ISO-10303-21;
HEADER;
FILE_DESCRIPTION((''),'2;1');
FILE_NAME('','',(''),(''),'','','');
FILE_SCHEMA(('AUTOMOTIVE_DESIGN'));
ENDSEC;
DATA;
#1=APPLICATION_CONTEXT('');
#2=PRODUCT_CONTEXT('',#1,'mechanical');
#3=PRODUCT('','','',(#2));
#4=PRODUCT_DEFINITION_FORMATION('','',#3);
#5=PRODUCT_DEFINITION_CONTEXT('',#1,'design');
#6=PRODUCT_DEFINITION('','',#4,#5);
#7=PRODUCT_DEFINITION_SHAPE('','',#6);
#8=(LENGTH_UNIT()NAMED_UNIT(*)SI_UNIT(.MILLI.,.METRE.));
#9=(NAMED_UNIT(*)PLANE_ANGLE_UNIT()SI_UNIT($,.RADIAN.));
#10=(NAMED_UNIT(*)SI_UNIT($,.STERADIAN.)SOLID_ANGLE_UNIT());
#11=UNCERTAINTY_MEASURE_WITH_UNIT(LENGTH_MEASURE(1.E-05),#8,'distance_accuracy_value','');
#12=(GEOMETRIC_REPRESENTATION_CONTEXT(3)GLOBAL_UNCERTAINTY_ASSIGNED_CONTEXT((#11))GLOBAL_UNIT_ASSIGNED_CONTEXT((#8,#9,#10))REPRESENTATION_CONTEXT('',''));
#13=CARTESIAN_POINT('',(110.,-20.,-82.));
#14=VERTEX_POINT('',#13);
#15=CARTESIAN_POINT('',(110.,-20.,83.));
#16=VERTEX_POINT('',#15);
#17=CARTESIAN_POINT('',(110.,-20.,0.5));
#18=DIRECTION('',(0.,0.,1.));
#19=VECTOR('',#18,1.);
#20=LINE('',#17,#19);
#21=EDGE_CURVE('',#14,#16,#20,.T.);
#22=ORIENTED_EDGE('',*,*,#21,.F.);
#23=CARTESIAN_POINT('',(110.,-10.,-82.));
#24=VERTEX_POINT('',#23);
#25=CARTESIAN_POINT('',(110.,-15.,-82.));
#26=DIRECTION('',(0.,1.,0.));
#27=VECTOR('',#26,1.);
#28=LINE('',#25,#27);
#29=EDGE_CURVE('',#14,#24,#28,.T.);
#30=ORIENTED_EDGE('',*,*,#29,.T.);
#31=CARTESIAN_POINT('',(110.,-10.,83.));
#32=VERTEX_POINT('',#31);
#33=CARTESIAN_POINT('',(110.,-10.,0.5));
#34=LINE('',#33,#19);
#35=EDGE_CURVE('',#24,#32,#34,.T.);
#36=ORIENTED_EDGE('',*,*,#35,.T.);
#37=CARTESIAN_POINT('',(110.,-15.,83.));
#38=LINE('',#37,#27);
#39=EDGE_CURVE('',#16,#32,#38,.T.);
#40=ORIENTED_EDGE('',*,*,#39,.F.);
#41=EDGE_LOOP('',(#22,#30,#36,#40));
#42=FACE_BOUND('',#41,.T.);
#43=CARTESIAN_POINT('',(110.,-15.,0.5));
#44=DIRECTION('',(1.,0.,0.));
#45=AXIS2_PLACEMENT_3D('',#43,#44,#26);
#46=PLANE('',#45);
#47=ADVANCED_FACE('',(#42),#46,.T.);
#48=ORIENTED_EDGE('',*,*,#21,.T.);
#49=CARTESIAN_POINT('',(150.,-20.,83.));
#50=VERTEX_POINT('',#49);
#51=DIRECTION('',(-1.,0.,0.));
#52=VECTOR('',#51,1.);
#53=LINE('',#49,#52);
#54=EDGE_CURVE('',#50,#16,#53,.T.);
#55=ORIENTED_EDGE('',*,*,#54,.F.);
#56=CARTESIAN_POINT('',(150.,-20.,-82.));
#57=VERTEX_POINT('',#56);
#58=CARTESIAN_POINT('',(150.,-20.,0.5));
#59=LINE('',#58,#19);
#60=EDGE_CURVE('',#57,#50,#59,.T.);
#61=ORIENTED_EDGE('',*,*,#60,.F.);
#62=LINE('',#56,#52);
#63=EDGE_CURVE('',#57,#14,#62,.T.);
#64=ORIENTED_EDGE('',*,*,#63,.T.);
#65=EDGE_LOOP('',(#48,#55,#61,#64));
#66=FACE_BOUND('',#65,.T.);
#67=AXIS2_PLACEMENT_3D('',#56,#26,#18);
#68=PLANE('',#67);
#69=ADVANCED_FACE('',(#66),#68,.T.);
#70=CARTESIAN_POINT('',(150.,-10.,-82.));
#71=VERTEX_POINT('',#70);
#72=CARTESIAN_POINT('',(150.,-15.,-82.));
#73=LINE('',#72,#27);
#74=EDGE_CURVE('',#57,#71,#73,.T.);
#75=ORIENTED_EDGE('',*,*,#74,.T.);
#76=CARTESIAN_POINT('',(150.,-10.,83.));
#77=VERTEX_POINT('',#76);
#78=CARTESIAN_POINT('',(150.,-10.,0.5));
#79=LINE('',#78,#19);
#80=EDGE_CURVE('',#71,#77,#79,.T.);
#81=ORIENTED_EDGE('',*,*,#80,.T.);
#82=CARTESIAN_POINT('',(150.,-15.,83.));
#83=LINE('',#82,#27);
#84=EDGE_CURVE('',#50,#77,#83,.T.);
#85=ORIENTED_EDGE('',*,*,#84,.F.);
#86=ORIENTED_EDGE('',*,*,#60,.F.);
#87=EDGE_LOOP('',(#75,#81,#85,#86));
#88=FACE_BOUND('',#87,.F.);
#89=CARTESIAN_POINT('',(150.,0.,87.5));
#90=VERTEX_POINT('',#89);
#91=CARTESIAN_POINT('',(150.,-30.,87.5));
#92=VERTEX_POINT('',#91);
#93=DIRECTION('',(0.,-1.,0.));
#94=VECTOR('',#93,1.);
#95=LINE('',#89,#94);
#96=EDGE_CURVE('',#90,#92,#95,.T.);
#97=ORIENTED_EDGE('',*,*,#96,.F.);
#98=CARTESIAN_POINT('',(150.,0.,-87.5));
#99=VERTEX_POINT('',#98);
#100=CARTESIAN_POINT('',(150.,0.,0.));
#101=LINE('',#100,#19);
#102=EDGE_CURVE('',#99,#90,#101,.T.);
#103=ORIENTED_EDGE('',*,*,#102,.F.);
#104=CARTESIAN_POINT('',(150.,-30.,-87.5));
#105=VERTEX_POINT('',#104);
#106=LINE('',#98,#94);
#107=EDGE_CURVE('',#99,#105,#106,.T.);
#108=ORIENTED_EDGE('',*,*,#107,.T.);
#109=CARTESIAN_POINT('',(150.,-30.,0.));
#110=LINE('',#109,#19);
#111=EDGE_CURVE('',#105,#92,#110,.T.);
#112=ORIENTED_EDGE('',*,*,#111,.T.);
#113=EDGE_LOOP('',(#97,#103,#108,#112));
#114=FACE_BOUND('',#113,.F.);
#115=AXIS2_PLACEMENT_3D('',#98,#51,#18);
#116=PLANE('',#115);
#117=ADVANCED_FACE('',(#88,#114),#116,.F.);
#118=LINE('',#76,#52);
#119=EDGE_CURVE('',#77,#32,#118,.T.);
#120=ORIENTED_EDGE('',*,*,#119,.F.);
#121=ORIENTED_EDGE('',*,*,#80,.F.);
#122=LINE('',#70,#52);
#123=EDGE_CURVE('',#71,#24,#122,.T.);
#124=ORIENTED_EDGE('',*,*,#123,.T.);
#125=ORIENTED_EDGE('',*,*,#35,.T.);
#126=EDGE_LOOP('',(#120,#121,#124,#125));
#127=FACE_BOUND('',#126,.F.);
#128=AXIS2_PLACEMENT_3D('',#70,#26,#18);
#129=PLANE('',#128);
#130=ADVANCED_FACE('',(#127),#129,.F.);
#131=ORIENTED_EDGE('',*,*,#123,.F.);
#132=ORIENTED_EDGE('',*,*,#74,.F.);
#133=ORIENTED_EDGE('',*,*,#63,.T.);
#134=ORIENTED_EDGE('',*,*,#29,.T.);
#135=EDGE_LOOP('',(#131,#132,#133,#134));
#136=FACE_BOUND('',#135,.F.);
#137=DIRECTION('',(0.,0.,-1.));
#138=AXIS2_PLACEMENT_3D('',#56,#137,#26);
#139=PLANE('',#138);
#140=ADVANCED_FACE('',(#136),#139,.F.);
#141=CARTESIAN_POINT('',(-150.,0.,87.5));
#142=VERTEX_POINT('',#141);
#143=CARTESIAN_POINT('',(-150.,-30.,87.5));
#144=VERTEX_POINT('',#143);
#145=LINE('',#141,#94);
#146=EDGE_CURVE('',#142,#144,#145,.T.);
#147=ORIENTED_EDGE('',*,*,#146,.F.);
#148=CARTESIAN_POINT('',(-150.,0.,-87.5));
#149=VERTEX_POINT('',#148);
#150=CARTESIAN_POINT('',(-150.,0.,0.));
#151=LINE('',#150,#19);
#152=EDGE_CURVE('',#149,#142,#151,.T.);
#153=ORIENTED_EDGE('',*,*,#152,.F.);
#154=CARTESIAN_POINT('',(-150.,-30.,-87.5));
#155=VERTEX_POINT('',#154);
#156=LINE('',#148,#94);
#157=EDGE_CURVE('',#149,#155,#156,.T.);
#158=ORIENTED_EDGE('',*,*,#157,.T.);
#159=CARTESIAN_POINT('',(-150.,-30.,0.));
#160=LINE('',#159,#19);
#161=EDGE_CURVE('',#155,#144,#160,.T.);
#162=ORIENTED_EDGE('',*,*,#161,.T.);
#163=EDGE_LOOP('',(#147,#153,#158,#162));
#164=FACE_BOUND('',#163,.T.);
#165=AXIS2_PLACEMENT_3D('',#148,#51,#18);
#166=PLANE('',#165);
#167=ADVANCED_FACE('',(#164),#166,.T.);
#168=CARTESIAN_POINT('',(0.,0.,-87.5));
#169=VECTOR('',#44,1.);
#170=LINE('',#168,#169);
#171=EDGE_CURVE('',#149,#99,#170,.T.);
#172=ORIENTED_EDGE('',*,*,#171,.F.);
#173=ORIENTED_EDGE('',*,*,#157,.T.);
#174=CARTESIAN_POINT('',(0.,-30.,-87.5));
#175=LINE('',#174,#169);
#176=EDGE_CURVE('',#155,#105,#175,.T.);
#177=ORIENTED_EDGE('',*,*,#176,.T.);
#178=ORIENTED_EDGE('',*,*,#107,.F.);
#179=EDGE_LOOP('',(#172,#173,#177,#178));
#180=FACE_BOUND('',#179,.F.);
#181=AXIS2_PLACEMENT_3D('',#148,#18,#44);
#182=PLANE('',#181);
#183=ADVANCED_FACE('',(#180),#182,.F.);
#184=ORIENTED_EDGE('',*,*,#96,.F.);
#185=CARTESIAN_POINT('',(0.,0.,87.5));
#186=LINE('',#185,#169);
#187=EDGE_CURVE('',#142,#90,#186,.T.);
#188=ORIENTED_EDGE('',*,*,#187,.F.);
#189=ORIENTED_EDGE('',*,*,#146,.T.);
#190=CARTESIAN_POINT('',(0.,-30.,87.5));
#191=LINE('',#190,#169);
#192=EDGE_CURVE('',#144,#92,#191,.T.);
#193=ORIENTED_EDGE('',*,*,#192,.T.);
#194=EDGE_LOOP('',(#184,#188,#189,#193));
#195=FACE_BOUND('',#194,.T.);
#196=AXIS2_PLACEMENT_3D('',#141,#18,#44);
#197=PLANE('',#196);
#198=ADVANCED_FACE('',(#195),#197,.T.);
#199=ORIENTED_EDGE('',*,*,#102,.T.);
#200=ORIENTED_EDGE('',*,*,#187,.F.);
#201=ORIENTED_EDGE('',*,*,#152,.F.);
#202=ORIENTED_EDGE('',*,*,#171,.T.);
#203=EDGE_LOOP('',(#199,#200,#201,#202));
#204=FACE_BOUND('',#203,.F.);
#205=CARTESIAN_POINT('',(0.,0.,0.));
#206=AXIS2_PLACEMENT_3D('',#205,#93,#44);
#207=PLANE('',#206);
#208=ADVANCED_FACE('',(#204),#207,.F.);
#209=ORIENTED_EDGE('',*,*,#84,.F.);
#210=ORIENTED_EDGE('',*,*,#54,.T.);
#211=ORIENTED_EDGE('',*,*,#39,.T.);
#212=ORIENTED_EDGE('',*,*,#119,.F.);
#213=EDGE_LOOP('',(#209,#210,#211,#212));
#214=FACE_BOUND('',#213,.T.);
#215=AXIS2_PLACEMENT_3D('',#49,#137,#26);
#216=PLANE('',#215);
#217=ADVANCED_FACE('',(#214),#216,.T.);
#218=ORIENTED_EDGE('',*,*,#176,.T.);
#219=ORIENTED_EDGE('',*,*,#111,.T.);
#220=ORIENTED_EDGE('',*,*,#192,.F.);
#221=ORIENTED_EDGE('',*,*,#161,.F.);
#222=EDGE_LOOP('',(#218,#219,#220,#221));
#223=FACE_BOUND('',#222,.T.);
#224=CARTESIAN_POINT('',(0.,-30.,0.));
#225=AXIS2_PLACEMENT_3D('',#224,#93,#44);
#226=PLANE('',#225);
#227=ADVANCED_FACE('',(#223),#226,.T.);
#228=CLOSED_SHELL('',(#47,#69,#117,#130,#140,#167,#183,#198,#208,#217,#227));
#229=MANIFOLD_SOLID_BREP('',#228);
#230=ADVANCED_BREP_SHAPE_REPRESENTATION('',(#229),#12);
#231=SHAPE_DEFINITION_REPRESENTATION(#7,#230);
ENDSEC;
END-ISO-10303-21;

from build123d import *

# Parameters (mm, degrees)
F0_W     = 300
F0_H     = 175
F1_DEPTH = 30
F2_W     = 10
F2_H     = 165
F3_DEPTH = 40


with BuildPart() as f1:
    # F0 (on Front) → F1 (new body)
    with BuildSketch(Plane.XZ):
        Rectangle(F0_W, F0_H)
    extrude(amount=F1_DEPTH)

    # F2 (on face) → F3 (cut)
    with BuildSketch(Plane.YZ.offset(150)):
        with Locations((-15, 0.5)):
            Rectangle(F2_W, F2_H)
    extrude(amount=-F3_DEPTH, mode=Mode.SUBTRACT)


solid = f1.part
